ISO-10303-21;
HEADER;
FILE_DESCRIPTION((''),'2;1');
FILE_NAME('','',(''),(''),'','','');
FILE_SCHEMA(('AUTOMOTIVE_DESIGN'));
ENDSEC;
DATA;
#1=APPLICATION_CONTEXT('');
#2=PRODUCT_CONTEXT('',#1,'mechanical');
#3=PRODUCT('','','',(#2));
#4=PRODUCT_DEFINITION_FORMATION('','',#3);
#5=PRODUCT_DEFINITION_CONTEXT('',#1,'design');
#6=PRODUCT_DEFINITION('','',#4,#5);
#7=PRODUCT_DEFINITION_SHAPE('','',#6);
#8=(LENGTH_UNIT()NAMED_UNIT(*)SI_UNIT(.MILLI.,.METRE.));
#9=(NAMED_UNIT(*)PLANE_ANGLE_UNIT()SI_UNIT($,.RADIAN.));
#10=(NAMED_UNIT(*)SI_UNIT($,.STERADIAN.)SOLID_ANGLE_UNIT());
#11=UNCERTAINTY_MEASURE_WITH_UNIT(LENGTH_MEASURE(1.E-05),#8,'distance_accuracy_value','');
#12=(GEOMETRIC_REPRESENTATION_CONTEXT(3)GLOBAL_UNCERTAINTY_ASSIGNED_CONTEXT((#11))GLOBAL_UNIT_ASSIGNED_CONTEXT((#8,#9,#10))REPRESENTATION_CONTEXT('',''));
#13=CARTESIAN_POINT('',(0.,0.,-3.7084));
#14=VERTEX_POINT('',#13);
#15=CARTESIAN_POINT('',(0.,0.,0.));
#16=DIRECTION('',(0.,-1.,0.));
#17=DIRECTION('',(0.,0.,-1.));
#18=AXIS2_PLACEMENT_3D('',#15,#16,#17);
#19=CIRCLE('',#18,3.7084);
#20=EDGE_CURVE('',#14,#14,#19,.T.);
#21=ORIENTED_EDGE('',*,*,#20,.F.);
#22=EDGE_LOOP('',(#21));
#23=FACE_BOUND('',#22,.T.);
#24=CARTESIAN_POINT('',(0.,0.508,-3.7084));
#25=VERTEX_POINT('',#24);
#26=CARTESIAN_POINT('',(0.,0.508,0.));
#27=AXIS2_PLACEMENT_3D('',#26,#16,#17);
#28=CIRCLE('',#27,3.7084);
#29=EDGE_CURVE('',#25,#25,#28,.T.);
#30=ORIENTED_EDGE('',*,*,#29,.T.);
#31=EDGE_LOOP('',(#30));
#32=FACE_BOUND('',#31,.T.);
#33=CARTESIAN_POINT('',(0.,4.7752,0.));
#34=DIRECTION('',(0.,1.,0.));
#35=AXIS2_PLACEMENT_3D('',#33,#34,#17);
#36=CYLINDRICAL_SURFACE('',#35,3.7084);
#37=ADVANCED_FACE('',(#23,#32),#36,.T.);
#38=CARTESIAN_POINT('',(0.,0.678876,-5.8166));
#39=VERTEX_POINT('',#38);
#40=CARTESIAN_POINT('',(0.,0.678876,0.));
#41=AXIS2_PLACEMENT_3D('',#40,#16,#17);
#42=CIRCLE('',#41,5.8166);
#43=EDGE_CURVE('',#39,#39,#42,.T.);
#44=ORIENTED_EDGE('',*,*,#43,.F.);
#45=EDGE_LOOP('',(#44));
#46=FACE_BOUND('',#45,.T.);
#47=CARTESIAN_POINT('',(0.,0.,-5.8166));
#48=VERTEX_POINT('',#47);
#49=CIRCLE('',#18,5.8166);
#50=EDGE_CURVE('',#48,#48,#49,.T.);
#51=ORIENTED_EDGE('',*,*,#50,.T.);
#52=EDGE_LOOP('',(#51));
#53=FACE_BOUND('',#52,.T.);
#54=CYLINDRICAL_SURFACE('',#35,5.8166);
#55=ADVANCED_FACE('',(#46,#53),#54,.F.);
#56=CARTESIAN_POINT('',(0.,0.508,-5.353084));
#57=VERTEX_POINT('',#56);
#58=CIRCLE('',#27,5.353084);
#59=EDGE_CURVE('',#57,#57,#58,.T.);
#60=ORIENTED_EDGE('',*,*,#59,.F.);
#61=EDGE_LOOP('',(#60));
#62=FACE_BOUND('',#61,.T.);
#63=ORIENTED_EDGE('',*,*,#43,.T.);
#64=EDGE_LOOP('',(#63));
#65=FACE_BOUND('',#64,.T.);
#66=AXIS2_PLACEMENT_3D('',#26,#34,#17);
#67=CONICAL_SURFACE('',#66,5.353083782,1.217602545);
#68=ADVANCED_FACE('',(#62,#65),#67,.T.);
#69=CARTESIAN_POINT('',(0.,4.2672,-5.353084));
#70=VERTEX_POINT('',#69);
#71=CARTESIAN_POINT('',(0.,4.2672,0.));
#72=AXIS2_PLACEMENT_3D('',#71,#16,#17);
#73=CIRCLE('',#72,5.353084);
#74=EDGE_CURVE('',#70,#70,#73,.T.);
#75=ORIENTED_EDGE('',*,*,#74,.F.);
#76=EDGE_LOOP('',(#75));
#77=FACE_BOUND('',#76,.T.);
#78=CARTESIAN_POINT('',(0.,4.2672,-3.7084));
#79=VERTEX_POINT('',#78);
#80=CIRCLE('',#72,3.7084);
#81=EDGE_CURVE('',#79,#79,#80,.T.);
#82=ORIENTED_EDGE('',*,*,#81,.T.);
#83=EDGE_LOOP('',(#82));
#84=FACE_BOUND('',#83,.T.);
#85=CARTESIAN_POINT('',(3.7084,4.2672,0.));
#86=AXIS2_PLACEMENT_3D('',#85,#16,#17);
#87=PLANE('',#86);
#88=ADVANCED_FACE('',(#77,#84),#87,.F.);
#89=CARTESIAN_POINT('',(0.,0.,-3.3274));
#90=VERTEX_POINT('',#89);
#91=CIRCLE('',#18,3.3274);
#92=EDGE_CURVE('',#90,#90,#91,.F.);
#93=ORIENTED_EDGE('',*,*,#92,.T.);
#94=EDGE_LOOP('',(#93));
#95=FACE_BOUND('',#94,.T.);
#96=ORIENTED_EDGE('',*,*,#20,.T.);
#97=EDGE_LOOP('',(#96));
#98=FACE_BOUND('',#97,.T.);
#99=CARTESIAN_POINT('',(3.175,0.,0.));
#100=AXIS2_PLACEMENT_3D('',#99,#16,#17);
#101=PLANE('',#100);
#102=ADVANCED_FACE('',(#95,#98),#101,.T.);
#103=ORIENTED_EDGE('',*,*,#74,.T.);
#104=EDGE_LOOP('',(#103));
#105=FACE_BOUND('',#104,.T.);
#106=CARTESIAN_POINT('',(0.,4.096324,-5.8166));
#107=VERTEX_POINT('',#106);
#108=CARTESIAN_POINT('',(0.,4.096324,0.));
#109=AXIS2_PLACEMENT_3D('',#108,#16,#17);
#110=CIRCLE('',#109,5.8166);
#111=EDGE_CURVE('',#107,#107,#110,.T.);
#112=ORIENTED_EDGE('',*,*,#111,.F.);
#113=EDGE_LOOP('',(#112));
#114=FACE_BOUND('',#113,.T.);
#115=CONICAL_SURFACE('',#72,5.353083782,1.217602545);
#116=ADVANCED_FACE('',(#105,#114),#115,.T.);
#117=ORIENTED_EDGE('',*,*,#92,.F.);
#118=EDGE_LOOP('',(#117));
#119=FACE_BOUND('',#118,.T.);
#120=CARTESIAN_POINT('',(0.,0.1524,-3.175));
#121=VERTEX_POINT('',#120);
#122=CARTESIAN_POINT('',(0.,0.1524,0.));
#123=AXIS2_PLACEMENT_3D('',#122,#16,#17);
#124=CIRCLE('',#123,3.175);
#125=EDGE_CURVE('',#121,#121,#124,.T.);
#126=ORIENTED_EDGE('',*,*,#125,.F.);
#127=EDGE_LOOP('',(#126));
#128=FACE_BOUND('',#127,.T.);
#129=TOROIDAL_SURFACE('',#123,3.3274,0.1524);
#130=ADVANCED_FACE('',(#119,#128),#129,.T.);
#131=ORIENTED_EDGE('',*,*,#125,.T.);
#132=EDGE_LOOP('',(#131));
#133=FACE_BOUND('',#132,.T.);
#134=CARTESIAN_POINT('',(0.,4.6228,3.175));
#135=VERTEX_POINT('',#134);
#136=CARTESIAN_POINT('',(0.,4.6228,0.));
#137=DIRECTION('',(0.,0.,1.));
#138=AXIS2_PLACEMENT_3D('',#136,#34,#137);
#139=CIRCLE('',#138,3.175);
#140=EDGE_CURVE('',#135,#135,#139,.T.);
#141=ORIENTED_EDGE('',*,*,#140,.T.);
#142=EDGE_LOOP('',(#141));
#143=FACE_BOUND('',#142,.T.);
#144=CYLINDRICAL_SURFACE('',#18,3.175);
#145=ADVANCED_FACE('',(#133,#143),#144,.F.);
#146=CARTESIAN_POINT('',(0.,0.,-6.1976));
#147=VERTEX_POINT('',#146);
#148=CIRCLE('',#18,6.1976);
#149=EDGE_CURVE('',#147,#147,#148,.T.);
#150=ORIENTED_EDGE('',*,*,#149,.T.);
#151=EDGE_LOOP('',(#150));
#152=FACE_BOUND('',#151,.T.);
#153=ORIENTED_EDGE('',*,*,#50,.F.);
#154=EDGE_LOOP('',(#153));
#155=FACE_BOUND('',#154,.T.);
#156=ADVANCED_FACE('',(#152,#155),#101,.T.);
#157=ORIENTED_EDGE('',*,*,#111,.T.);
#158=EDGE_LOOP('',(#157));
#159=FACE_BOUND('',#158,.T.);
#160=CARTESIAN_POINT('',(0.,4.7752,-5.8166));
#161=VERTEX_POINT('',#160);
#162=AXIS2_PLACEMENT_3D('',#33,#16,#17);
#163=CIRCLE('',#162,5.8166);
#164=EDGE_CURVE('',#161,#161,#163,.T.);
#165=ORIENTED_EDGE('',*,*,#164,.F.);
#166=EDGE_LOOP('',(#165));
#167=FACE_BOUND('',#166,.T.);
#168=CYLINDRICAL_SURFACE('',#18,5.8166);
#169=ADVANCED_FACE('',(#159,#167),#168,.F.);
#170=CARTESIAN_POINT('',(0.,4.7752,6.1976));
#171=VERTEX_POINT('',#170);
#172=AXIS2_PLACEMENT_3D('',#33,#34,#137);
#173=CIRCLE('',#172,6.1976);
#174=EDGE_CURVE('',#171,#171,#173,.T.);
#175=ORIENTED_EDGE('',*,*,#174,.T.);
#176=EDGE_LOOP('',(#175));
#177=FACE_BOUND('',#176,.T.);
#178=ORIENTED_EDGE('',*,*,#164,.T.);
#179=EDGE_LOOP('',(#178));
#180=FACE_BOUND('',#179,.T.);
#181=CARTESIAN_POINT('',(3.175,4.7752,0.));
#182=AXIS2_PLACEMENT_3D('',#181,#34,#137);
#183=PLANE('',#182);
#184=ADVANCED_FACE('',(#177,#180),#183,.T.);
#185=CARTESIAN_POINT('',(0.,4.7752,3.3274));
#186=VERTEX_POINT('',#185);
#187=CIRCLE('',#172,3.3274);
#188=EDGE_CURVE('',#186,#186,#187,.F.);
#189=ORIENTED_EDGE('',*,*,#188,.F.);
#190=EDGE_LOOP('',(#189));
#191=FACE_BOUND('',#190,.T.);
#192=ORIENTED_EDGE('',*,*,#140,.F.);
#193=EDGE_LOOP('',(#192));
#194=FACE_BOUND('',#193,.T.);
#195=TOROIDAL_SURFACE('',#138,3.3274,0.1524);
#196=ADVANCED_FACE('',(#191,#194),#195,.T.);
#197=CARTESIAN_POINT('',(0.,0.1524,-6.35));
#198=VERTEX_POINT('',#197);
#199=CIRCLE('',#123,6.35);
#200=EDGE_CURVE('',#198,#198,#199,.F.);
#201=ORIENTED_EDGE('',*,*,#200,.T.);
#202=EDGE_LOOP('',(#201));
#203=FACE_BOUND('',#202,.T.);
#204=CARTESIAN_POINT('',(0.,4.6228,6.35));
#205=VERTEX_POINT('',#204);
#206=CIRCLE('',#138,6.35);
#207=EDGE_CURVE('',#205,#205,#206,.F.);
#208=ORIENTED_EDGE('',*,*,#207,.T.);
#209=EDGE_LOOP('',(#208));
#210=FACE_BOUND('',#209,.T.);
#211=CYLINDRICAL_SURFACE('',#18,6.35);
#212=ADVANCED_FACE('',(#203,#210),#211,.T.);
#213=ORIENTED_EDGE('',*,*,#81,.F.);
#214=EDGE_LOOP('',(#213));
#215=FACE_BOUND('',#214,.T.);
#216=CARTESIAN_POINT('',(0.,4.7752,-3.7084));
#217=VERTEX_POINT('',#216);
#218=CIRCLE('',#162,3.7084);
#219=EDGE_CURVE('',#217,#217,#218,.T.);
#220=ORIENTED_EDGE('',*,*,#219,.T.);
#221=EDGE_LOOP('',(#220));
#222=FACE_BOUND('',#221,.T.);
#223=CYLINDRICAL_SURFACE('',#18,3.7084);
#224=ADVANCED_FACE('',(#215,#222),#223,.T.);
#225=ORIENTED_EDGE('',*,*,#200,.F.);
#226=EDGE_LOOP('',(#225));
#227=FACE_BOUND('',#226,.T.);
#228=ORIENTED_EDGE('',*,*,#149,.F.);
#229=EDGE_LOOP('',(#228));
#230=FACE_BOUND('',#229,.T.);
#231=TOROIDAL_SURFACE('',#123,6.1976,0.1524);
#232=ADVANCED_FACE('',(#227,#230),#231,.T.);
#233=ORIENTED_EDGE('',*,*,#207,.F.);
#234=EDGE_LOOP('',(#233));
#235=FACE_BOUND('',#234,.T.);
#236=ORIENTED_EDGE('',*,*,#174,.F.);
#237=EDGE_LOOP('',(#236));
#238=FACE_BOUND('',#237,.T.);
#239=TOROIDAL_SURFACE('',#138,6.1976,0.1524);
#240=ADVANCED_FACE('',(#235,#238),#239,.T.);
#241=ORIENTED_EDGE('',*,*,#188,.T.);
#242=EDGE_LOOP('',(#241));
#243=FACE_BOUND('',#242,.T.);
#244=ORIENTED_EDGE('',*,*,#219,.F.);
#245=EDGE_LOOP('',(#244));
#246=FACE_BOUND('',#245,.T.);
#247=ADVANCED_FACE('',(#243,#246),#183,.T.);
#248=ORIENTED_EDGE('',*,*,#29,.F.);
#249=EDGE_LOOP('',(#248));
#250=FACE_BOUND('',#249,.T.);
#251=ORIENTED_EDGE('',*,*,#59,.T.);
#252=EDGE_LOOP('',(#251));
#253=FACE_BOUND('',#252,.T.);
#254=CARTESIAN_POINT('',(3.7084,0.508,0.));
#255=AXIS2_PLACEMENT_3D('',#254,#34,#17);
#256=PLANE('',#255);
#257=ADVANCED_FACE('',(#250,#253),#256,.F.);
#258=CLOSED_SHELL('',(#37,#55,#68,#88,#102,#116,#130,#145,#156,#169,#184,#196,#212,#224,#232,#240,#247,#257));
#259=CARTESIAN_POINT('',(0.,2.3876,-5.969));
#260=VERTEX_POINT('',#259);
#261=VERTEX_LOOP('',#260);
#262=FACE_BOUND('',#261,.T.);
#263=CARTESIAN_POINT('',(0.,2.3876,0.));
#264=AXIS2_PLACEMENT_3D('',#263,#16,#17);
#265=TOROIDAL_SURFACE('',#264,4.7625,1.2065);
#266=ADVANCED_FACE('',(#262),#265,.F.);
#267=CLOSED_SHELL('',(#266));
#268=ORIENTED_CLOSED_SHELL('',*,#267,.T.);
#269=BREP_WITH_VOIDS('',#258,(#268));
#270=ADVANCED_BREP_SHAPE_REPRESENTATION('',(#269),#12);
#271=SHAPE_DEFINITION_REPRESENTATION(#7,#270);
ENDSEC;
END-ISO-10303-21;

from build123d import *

# Parameters (mm, degrees)
SKETCH1_W = 3.175
SKETCH1_H = 4.7752
SKETCH1_R = 1.2065
FILLET1_R = 0.1524


with BuildPart() as part:
    # Sketch1 → Revolve1 (revolve)
    with BuildSketch(Plane.XY):
        with Locations((4.7625, 2.3876)):
            Rectangle(SKETCH1_W, SKETCH1_H)
        with Locations((4.7625, 2.3876)):
            Circle(SKETCH1_R, mode=Mode.SUBTRACT)
    revolve(axis=Axis((0, 0, 0), (0, 1, 0)))

    # Sketch2 → Cut-Revolve1 (revolve, cut)
    with BuildSketch(Plane.XY):
        Polygon((3.7084, 4.7752), (3.7084, 4.2672), (5.353083782, 4.2672), (5.8166, 4.096323786), (5.8166, 4.7752), align=None)
    cut_revolve1 = revolve(axis=Axis((0, 0, 0), (0, 1, 0)), mode=Mode.SUBTRACT)

    # Mirror1: Cut-Revolve1 across plane
    add(cut_revolve1.mirror(Plane(origin=(0, 2.3876, 0), x_dir=(0, 0, 1), z_dir=(0, -1, 0))), mode=Mode.SUBTRACT)

    # Fillet1
    fillet1_edges = [part.edges().sort_by_distance(p)[0] for p in [
        (-3.175, 4.7752, 0),
        (-6.35, 4.7752, 0),
        (-6.35, 0, 0),
        (-3.175, 0, 0),
    ]]
    fillet(fillet1_edges, radius=FILLET1_R)


solid = part.part
